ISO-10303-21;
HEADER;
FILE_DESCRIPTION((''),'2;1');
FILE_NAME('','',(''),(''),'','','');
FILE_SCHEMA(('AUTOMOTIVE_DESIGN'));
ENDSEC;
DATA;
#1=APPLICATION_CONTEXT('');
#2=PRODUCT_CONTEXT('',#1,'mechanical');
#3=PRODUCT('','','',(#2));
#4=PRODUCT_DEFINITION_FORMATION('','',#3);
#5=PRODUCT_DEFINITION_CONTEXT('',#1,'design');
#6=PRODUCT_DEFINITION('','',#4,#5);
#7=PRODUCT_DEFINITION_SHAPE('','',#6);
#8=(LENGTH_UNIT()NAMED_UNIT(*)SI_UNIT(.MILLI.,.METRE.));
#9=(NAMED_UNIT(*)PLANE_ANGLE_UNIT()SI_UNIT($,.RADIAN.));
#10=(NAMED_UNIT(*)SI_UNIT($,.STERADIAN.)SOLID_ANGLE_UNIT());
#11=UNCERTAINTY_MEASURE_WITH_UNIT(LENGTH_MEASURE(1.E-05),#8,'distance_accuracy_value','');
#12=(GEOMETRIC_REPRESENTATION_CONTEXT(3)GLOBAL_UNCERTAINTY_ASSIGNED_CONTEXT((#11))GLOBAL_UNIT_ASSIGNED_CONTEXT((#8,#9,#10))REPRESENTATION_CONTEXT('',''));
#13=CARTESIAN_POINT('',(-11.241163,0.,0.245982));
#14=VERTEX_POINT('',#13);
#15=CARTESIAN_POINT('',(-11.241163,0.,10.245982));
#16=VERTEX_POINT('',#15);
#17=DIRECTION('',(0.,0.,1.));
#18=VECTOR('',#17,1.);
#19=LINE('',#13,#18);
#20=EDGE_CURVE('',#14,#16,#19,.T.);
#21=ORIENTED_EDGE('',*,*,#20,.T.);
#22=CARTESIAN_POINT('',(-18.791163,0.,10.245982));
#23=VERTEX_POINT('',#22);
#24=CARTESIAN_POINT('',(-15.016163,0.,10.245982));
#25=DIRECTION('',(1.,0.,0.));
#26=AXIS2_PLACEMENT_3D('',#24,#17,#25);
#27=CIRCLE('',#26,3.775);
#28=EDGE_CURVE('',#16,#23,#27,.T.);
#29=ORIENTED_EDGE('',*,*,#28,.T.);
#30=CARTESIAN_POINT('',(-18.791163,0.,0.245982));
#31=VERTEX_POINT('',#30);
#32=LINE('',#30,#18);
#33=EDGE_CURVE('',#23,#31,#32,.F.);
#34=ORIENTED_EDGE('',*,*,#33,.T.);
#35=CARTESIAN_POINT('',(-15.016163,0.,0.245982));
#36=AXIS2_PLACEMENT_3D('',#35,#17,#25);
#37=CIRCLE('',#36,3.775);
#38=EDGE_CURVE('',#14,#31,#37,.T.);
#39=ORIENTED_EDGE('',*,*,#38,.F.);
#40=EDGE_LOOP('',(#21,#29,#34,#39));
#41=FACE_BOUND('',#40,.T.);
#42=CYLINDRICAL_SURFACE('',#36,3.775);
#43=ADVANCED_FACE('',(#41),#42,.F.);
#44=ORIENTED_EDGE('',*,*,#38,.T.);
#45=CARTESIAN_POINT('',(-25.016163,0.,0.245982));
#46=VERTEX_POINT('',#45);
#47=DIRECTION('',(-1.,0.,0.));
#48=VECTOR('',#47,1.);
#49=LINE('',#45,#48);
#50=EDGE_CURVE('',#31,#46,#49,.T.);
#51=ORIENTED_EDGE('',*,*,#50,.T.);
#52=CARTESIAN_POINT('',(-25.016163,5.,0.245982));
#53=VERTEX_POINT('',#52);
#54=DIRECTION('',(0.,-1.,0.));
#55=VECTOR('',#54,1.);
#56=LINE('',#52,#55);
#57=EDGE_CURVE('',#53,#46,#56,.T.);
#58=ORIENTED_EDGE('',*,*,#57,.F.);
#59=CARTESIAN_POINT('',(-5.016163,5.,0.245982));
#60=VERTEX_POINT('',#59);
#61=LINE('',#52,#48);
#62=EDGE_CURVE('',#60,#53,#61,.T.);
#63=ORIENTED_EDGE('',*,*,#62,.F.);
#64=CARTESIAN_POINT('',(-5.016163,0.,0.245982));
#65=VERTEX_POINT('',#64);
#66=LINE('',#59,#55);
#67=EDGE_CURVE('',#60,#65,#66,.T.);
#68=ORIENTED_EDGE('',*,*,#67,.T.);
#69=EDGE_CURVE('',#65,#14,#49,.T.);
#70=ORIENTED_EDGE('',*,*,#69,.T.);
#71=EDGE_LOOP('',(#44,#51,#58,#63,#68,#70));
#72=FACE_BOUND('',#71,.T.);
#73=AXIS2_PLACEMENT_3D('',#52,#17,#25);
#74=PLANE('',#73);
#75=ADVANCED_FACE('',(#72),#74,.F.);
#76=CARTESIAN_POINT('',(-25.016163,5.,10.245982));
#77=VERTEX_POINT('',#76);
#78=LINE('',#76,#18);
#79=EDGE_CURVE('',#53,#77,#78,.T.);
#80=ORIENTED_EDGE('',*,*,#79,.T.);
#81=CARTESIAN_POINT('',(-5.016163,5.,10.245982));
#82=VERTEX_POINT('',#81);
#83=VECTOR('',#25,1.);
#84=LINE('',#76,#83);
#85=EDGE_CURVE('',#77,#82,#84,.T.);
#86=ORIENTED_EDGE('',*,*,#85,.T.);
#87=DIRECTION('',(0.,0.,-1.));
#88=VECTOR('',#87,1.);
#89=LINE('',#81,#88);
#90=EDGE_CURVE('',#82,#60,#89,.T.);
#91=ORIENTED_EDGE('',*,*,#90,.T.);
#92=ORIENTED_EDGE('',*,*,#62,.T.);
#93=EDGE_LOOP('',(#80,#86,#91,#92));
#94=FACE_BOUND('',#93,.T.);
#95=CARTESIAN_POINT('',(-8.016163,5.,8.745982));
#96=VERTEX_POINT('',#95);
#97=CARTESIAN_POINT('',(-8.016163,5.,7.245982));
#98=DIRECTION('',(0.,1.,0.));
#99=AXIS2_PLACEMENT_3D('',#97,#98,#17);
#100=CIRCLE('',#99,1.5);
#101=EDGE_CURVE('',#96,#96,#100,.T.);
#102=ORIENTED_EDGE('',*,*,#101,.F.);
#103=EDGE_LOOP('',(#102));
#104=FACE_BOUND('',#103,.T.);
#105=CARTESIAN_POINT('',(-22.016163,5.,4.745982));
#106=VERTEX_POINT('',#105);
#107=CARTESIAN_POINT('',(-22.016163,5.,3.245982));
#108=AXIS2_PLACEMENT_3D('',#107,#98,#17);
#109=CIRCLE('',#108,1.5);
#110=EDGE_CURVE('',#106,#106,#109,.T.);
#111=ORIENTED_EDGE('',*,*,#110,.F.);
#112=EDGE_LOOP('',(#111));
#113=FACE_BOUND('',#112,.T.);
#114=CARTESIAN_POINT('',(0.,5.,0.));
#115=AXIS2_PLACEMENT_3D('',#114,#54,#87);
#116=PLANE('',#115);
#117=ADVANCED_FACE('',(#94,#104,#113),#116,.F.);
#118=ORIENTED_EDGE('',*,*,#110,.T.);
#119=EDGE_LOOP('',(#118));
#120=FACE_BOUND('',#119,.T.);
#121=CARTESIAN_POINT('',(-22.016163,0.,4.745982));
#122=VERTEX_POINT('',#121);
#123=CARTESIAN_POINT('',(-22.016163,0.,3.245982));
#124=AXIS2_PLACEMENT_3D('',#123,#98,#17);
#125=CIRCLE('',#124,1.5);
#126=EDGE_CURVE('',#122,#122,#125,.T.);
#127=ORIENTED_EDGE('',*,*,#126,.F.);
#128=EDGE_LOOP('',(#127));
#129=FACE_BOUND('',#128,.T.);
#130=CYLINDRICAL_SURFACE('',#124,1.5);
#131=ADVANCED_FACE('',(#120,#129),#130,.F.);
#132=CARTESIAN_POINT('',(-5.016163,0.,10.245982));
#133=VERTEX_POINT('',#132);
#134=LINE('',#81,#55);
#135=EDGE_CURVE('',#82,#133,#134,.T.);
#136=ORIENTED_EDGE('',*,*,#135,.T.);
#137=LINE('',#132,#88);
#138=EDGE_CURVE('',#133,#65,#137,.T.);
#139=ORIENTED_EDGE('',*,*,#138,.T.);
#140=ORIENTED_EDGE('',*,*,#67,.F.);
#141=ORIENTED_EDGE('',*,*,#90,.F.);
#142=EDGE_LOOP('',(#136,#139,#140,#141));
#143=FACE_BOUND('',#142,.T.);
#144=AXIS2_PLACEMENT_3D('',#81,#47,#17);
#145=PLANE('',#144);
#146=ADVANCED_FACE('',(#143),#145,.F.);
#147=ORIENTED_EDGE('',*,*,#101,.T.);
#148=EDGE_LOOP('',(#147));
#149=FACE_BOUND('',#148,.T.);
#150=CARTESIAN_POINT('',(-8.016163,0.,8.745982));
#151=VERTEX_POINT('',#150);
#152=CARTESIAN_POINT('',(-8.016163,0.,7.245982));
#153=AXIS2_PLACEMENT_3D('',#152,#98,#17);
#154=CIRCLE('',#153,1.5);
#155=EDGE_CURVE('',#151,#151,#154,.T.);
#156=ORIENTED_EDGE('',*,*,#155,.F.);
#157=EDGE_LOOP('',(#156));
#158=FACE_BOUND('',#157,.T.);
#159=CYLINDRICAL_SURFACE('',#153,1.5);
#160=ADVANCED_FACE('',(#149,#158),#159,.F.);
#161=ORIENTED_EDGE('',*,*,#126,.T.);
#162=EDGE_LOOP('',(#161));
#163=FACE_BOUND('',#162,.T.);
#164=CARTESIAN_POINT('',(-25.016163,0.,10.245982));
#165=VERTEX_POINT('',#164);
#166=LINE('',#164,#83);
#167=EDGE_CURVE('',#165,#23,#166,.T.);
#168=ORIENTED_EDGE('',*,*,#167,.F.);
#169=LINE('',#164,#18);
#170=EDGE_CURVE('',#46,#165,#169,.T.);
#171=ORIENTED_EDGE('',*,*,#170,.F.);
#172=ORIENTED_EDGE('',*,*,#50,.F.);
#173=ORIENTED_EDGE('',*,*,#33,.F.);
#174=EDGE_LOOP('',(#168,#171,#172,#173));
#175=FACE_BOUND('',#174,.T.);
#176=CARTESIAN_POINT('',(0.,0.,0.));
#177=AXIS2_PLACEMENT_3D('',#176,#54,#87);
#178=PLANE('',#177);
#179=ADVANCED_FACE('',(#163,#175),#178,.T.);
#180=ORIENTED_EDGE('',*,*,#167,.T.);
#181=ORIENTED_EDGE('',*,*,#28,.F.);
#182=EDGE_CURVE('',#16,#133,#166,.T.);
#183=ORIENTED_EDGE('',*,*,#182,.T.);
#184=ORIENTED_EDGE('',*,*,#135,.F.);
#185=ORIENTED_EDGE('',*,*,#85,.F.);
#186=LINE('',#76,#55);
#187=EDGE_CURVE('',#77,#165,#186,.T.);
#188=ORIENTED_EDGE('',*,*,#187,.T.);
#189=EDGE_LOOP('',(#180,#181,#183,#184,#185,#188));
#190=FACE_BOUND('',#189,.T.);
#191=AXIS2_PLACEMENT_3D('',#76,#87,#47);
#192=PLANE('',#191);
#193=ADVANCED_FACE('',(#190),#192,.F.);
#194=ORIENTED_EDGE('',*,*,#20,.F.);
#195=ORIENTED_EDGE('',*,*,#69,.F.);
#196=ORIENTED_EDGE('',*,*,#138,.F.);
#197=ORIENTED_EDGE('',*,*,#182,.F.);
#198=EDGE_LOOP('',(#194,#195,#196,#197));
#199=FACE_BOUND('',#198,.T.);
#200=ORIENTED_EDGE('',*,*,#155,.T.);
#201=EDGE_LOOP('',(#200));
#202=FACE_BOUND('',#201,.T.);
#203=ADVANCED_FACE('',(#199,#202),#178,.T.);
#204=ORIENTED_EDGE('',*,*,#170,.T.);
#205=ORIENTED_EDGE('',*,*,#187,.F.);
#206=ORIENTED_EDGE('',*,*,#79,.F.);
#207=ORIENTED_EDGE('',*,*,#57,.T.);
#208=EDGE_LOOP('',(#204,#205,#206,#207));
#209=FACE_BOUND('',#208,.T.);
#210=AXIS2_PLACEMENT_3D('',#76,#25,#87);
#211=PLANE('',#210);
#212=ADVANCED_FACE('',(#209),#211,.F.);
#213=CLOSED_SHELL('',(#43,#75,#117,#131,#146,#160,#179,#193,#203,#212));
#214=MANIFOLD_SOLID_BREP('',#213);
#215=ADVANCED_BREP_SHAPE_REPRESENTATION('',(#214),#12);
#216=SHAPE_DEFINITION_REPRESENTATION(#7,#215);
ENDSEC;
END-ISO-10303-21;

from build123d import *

# Parameters (mm, degrees)
SKETCH1_W           = 20
SKETCH1_H           = 10
BOSS_EXTRUDE1_DEPTH = 5
SKETCH2_R           = 3.775
CUT_EXTRUDE1_DEPTH  = 10
SKETCH3_R           = 1.5
CUT_EXTRUDE2_DEPTH  = 5


with BuildPart() as part:
    # Sketch1 → Boss-Extrude1 (new body)
    with BuildSketch(Plane(origin=(0, 0, 0), x_dir=(1, 0, 0), z_dir=(0, 1, 0))):
        with Locations((-15.016162702, -5.245981532)):
            Rectangle(SKETCH1_W, SKETCH1_H)
    extrude(amount=BOSS_EXTRUDE1_DEPTH)

    # Sketch2 → Cut-Extrude1 (cut)
    with BuildSketch(Plane.XY.offset(10.245981532)):
        with Locations((-15.016162702, 0)):
            Circle(SKETCH2_R)
    extrude(amount=-CUT_EXTRUDE1_DEPTH, mode=Mode.SUBTRACT)

    # Sketch3 → Cut-Extrude2 (cut)
    with BuildSketch(Plane(origin=(0, 5, 0), x_dir=(1, 0, 0), z_dir=(0, 1, 0))):
        with Locations(Location((-22.016162702, -3.245981532, 0), (0, 0, 270))):
            Circle(SKETCH3_R)
        with Locations(Location((-8.016162702, -7.245981532, 0), (0, 0, 270))):
            Circle(SKETCH3_R)
    extrude(amount=-CUT_EXTRUDE2_DEPTH, mode=Mode.SUBTRACT)


solid = part.part
